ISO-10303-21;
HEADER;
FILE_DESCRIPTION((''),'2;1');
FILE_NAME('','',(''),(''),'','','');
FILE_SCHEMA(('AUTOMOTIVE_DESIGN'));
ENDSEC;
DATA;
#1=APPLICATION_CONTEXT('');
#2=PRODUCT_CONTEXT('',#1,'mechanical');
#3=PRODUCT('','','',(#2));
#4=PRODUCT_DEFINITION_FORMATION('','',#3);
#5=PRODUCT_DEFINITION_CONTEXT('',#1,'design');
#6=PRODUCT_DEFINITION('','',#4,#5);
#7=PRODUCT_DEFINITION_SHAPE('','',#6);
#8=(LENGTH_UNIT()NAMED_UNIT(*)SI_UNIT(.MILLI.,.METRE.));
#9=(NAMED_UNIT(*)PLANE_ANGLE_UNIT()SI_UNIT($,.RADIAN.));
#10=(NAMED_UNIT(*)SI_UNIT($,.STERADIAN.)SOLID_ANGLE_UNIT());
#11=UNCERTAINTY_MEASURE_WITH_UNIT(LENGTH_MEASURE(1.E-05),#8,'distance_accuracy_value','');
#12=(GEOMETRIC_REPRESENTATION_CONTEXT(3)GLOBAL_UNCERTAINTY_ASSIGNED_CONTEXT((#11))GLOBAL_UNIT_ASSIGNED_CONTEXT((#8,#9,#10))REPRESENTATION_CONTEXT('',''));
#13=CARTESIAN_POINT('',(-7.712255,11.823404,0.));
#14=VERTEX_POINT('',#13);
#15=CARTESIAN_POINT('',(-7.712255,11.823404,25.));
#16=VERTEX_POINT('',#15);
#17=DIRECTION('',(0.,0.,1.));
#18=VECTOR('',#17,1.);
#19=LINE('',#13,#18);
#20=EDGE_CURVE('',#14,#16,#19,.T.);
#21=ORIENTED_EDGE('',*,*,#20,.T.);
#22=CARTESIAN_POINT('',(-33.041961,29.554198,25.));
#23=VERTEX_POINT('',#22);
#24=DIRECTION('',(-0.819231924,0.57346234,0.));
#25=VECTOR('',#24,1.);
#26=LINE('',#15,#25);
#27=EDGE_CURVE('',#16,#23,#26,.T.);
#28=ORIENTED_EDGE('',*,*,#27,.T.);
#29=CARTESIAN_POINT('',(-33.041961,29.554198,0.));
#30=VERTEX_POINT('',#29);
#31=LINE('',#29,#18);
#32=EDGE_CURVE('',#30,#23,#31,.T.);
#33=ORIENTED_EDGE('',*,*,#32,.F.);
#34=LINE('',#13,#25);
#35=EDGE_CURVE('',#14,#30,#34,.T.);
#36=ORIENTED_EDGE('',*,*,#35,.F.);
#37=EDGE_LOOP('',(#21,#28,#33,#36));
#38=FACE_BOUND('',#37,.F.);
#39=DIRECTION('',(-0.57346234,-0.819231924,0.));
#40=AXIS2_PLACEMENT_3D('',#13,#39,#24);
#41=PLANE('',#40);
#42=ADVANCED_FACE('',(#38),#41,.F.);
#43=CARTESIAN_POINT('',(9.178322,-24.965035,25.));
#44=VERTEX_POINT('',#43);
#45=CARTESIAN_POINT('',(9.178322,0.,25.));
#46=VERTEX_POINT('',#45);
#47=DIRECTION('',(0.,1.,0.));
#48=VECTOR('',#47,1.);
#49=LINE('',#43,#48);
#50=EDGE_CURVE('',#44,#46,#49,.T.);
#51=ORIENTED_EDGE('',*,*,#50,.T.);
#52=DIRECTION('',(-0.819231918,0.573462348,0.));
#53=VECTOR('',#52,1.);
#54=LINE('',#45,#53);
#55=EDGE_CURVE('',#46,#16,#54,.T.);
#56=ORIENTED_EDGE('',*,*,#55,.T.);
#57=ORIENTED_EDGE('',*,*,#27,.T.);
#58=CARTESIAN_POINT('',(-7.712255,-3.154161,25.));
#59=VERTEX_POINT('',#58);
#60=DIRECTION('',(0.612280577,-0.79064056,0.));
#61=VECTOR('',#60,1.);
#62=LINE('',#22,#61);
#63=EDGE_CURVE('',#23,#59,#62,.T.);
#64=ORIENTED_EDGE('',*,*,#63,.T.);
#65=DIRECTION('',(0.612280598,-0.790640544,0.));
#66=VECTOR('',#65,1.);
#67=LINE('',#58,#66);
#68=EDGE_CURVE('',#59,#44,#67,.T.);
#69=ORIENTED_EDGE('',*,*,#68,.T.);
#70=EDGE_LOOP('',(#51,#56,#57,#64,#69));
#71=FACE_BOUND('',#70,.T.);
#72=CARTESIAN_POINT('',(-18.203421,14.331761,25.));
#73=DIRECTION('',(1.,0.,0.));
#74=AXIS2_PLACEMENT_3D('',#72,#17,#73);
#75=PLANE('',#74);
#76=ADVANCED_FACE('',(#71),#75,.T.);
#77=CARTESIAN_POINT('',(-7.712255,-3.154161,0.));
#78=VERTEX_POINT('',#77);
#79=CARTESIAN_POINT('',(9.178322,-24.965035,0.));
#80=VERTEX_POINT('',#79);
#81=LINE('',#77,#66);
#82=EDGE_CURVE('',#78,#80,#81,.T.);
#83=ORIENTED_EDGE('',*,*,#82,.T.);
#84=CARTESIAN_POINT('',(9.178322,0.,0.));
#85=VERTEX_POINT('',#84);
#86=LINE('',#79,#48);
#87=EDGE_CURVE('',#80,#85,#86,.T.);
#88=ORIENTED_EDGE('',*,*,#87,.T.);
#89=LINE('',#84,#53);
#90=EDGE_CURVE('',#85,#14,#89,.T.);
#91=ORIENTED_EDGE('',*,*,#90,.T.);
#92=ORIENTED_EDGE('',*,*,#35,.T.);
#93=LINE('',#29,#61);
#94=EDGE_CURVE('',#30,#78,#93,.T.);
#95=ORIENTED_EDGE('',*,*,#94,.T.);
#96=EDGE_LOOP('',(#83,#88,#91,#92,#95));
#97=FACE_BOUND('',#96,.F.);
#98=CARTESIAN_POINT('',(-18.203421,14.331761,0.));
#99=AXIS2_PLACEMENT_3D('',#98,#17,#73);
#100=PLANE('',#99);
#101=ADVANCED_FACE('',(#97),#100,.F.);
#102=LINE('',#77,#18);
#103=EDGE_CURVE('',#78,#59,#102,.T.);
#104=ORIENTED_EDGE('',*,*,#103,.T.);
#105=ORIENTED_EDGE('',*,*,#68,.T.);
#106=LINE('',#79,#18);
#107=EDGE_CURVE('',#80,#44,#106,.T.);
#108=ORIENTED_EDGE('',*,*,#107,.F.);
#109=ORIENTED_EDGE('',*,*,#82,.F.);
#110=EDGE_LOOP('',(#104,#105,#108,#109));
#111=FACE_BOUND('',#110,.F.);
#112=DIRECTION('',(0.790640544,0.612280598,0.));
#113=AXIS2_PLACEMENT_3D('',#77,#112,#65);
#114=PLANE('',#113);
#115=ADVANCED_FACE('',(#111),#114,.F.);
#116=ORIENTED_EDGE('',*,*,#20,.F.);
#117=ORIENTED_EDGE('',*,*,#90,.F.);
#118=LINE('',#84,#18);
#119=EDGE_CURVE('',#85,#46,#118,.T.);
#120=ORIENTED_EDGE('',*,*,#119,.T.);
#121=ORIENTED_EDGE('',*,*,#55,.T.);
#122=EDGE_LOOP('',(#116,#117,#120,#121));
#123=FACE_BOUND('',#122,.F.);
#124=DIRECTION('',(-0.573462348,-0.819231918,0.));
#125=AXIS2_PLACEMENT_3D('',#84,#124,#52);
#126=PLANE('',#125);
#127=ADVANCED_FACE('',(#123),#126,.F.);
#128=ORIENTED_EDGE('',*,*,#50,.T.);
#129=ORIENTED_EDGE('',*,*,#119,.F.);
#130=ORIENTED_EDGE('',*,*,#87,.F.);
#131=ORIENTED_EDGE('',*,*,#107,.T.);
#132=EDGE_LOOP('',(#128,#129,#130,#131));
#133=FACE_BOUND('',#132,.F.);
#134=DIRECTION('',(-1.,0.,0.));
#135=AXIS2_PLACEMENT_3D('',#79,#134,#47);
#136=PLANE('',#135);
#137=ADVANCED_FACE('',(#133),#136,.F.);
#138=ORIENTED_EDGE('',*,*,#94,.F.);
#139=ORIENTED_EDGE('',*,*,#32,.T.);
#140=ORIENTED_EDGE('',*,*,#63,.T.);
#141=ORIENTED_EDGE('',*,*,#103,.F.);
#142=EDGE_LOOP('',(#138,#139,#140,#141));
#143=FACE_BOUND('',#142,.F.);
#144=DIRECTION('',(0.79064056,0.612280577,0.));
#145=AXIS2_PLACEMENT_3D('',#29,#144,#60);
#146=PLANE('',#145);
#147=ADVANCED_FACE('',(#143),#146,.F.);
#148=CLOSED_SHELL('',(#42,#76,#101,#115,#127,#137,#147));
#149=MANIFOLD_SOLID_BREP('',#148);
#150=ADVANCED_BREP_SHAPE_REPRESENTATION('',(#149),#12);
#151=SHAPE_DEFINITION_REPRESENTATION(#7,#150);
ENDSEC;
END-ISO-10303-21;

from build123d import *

# Parameters (mm, degrees)
F1_DEPTH = 25


with BuildPart() as f1:
    # F0 (on Top) → F1 (new body)
    with BuildSketch(Plane.XY):
        Polygon((-7.712255, 11.823404), (-33.041961, 29.554198), (-7.712255, -3.154161), align=None)
        Polygon((-7.712255, 11.823404), (-7.712255, -3.154161), (9.178322, -24.965035), (9.178322, 0), align=None)
    extrude(amount=F1_DEPTH)


solid = f1.part
